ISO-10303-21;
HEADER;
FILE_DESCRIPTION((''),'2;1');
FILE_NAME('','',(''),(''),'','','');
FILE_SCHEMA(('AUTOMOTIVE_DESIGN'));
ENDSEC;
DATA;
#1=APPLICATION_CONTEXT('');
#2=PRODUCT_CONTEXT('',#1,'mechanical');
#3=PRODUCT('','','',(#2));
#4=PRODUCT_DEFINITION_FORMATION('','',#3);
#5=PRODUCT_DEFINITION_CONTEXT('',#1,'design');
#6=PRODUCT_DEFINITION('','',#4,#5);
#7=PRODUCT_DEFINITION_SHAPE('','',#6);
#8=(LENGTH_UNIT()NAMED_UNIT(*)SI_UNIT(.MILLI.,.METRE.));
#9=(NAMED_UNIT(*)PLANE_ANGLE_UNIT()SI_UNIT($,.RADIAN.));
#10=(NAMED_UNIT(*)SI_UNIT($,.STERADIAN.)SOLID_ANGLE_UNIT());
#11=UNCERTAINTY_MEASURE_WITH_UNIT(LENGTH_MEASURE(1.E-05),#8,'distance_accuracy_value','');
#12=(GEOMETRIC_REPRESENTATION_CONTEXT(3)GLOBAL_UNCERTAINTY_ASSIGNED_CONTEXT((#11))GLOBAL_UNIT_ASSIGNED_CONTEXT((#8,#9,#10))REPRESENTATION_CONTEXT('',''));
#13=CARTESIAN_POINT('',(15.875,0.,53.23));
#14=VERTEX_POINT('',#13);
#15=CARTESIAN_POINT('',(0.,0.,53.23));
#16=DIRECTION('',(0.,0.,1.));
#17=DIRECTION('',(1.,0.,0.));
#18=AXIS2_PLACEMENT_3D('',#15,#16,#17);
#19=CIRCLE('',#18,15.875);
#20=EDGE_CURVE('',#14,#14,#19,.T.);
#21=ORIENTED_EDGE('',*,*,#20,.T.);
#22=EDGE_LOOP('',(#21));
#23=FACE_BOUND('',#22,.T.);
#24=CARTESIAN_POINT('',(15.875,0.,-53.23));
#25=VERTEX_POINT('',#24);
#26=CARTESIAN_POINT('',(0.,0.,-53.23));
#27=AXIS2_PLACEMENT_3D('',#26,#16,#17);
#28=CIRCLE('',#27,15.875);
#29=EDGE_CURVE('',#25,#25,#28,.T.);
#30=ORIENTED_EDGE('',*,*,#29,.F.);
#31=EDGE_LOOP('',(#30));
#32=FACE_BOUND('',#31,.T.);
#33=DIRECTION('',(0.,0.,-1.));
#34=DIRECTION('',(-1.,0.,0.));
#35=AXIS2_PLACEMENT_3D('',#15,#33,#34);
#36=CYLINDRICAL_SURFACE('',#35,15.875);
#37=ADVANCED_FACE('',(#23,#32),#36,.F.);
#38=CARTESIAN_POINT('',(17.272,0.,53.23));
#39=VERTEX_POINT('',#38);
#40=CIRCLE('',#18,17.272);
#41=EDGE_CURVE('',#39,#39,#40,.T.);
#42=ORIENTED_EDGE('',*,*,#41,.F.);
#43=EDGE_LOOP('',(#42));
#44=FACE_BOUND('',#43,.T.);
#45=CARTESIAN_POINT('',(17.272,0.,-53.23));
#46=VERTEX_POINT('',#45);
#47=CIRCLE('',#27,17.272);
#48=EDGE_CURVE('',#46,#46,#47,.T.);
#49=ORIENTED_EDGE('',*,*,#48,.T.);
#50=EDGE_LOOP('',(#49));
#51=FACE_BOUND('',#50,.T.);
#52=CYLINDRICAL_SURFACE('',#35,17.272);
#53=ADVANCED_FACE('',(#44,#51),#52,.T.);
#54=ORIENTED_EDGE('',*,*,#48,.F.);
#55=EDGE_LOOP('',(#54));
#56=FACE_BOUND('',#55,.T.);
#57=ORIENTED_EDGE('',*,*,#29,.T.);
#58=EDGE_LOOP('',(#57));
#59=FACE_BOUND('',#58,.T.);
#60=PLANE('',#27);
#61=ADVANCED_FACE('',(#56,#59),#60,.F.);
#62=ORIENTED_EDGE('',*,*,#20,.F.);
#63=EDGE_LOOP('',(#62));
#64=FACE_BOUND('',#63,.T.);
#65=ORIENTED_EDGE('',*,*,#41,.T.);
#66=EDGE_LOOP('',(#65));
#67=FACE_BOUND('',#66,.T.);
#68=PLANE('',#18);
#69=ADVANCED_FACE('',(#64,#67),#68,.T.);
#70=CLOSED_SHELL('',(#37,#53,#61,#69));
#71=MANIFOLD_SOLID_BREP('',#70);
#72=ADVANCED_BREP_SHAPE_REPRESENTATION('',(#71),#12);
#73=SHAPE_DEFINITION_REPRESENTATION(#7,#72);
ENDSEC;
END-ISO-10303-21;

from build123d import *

# Parameters (mm, degrees)
BOSS_EXTRUDE1_DEPTH      = 53.23
BOSS_EXTRUDE1_DEPTH_BACK = 53.23
SKETCH3_R                = 17.272
SKETCH3_R_2              = 15.875


with BuildPart() as part:
    # Sketch3 → Boss-Extrude1 (new, two sides: drawn at the far end of the back side and taken through both)
    with BuildSketch(Plane.XY.offset(-BOSS_EXTRUDE1_DEPTH_BACK)):
        Circle(SKETCH3_R)
        Circle(SKETCH3_R_2, mode=Mode.SUBTRACT)
    extrude(amount=BOSS_EXTRUDE1_DEPTH + BOSS_EXTRUDE1_DEPTH_BACK)


solid = part.part
